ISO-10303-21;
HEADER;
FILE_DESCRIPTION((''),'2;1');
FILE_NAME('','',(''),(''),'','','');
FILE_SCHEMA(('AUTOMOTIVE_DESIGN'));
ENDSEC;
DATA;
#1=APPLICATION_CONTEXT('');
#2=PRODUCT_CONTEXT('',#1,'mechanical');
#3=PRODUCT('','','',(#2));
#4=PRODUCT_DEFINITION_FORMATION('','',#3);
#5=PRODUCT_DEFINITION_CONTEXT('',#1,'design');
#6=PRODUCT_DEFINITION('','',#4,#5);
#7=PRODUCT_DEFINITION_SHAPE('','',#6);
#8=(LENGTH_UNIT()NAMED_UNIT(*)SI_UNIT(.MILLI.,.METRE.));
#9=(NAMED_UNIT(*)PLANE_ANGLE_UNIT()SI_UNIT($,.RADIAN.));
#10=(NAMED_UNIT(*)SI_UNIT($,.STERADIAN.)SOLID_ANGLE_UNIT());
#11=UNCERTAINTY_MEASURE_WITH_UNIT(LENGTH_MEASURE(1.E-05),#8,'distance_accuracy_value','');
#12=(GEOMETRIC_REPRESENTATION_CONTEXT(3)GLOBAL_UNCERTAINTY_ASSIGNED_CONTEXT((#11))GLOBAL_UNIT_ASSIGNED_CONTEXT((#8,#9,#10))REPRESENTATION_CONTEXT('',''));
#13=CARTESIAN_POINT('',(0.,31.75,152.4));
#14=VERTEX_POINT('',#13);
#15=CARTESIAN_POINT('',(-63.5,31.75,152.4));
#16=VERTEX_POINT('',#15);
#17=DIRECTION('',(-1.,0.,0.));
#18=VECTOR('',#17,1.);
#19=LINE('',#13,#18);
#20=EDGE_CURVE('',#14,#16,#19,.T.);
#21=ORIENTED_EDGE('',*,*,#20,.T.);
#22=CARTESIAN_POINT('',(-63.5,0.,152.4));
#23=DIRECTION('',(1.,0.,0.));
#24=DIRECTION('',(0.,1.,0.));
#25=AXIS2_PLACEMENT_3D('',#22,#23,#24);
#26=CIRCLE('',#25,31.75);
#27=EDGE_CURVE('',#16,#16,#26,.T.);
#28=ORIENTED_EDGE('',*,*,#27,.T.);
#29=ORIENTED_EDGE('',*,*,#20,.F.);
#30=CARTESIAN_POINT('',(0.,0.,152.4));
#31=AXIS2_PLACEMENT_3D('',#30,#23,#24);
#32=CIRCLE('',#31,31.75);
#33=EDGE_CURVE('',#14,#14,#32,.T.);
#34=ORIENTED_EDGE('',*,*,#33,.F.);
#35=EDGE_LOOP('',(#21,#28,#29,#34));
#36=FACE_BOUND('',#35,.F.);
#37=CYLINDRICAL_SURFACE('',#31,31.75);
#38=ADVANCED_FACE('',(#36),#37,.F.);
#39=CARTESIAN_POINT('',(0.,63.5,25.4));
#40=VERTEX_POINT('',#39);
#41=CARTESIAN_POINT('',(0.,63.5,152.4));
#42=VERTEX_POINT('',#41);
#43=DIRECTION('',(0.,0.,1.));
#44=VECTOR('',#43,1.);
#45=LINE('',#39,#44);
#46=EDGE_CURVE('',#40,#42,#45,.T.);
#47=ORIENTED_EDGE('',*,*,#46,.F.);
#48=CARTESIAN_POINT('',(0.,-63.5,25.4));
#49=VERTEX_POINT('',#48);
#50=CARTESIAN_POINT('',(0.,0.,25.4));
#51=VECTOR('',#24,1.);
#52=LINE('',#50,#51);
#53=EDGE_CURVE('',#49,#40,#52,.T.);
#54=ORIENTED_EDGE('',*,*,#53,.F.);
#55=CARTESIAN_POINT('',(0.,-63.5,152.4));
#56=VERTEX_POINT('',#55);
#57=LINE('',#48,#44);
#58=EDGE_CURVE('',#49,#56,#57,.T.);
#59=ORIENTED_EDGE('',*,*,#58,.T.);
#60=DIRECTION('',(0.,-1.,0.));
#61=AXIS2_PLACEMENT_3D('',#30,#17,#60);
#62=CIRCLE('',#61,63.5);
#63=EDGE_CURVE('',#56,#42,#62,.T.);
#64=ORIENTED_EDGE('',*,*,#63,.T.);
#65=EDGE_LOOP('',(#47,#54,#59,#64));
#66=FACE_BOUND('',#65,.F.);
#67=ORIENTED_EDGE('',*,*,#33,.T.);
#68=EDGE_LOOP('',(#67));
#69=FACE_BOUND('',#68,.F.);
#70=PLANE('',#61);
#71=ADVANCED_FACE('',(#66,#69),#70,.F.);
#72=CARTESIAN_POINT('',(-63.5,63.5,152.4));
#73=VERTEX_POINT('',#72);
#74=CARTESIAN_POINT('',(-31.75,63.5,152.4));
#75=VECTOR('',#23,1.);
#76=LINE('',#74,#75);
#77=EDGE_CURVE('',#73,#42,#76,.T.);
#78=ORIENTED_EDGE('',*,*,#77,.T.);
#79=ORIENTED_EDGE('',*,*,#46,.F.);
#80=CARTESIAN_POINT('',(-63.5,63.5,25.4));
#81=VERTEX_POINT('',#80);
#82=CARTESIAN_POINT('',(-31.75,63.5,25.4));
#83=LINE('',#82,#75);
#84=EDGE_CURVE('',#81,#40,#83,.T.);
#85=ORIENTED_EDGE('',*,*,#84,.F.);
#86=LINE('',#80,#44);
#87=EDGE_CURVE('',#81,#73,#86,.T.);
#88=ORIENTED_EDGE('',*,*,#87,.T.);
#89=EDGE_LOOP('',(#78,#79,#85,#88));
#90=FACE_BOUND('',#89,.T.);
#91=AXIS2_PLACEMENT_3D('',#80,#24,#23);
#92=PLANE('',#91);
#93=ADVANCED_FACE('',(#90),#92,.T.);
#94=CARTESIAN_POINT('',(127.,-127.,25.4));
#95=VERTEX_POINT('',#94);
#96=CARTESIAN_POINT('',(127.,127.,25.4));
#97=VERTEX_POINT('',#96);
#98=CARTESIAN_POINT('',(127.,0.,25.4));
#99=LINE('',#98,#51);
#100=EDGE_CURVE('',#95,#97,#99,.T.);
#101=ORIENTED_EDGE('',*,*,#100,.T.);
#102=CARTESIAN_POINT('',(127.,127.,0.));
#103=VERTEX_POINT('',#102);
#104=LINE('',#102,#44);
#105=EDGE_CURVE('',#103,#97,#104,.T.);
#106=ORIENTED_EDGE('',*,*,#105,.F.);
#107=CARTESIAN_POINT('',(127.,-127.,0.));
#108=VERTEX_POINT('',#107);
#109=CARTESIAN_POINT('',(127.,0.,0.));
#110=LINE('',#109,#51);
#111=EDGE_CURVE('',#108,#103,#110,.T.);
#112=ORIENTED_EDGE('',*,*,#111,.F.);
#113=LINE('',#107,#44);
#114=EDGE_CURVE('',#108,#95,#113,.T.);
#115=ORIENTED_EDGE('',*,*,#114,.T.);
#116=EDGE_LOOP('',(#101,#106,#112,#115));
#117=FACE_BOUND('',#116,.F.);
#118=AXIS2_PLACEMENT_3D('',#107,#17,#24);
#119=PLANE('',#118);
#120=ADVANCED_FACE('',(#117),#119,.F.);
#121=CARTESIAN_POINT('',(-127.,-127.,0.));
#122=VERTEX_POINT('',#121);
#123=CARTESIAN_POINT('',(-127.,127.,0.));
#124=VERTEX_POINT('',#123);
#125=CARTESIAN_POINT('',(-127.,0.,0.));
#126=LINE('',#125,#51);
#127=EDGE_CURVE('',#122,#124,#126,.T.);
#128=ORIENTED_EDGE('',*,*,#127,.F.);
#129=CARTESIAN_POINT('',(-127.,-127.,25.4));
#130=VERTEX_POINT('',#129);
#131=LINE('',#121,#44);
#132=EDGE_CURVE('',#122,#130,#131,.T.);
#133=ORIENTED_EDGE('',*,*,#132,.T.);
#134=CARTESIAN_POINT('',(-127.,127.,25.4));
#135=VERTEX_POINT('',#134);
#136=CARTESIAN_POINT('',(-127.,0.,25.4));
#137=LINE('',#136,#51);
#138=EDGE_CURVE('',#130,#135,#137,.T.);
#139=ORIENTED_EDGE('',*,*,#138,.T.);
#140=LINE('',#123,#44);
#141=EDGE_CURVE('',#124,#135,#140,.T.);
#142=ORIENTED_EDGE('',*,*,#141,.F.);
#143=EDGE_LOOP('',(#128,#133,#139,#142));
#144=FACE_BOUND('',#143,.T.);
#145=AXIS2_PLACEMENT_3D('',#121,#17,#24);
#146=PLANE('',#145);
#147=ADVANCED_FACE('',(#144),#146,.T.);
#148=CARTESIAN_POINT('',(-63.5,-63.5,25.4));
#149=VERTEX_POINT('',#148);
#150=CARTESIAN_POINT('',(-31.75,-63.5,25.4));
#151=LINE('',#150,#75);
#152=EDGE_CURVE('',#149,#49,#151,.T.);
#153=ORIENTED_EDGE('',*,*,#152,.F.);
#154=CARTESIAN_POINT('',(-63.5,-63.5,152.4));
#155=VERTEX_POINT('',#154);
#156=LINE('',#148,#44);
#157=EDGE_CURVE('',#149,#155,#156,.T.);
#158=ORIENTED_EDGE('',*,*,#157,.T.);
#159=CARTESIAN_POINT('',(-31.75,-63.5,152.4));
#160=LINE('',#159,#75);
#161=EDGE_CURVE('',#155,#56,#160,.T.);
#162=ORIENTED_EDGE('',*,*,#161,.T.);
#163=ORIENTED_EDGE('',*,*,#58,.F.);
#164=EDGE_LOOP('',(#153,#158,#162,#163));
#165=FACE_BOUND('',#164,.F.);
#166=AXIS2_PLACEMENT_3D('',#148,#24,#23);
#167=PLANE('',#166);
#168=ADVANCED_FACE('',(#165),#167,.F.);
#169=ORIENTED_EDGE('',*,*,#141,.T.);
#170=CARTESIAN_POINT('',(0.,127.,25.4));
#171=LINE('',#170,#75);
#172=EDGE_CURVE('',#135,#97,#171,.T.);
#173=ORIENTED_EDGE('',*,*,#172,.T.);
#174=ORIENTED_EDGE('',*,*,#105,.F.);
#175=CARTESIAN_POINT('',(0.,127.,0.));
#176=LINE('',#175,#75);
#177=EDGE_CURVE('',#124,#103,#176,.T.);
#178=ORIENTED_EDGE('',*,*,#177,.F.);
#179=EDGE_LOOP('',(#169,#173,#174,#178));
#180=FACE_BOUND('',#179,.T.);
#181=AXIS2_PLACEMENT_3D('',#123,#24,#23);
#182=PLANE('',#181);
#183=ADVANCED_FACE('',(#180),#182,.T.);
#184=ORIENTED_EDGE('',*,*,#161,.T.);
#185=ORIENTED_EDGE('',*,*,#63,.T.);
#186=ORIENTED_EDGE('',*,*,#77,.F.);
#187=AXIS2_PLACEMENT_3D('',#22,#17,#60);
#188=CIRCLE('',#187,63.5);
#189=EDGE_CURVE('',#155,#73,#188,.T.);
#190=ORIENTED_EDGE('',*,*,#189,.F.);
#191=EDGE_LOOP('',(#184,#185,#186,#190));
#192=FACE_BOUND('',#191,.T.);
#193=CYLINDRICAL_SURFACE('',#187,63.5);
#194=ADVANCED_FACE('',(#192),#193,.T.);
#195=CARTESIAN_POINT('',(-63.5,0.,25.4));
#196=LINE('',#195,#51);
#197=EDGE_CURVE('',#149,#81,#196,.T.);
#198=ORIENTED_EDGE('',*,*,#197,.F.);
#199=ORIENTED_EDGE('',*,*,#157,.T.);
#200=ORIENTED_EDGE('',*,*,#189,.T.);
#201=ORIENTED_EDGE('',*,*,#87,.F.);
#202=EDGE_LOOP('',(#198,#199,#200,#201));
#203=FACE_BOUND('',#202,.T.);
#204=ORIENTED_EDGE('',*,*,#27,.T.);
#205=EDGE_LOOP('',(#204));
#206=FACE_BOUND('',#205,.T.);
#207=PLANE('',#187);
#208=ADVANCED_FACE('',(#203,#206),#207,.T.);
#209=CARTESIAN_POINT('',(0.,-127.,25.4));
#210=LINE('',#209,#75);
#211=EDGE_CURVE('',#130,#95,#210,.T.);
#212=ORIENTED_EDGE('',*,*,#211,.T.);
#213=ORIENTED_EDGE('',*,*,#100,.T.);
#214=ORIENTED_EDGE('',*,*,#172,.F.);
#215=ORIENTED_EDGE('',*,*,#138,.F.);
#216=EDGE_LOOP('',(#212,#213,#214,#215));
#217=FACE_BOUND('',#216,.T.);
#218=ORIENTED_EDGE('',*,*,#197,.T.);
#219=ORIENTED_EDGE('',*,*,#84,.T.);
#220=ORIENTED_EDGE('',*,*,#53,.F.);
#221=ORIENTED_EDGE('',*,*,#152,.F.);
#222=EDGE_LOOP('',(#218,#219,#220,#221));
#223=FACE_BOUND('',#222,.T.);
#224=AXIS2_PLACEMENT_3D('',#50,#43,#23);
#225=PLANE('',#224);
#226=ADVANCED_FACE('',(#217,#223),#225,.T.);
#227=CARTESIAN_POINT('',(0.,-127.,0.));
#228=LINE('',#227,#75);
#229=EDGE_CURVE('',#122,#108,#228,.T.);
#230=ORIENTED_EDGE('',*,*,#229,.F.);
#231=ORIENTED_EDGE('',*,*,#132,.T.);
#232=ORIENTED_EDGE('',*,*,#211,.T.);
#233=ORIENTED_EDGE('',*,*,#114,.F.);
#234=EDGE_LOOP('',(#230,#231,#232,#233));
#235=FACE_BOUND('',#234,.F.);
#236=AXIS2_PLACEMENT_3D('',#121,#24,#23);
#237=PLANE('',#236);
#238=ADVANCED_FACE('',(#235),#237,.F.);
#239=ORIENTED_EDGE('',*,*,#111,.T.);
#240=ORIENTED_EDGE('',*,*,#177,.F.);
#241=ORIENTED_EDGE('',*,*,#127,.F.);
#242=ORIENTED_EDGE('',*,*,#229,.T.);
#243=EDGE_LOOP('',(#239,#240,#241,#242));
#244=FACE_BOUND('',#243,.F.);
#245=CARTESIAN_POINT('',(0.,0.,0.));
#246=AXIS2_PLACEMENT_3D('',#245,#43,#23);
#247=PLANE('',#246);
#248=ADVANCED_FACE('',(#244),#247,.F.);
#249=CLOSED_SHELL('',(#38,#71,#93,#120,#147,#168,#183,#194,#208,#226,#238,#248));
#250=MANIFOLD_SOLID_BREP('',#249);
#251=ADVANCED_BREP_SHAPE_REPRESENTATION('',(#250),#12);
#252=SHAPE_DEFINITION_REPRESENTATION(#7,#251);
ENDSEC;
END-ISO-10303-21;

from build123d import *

# Parameters (mm, degrees)
F0_W     = 254
F0_H     = 254
F1_DEPTH = 25.4
F2_W     = 63.5
F2_H     = 127
F3_DEPTH = 127
F4_R     = 63.5
F5_DEPTH = 63.5
F6_R     = 31.75
F7_DEPTH = 63.5


with BuildPart() as f1:
    # F0 (on Top) → F1 (new body)
    with BuildSketch(Plane.XY):
        Rectangle(F0_W, F0_H)
    extrude(amount=F1_DEPTH)

    # F2 (on face) → F3 (join)
    with BuildSketch(Plane.XY.offset(25.4)):
        with Locations((-31.75, 0)):
            Rectangle(F2_W, F2_H)
    extrude(amount=F3_DEPTH)

    # F4 (on face) → F5 (join)
    with BuildSketch(Plane(origin=(-63.5, 0, 0), x_dir=(0, -1, 0), z_dir=(-1, 0, 0))):
        with Locations((0, 152.4)):
            Circle(F4_R)
    extrude(amount=-F5_DEPTH)

    # F6 (on face) → F7 (cut, through all)
    with BuildSketch(Plane.YZ):
        with Locations((0, 152.4)):
            Circle(F6_R)
    extrude(amount=-F7_DEPTH, mode=Mode.SUBTRACT)


solid = f1.part
